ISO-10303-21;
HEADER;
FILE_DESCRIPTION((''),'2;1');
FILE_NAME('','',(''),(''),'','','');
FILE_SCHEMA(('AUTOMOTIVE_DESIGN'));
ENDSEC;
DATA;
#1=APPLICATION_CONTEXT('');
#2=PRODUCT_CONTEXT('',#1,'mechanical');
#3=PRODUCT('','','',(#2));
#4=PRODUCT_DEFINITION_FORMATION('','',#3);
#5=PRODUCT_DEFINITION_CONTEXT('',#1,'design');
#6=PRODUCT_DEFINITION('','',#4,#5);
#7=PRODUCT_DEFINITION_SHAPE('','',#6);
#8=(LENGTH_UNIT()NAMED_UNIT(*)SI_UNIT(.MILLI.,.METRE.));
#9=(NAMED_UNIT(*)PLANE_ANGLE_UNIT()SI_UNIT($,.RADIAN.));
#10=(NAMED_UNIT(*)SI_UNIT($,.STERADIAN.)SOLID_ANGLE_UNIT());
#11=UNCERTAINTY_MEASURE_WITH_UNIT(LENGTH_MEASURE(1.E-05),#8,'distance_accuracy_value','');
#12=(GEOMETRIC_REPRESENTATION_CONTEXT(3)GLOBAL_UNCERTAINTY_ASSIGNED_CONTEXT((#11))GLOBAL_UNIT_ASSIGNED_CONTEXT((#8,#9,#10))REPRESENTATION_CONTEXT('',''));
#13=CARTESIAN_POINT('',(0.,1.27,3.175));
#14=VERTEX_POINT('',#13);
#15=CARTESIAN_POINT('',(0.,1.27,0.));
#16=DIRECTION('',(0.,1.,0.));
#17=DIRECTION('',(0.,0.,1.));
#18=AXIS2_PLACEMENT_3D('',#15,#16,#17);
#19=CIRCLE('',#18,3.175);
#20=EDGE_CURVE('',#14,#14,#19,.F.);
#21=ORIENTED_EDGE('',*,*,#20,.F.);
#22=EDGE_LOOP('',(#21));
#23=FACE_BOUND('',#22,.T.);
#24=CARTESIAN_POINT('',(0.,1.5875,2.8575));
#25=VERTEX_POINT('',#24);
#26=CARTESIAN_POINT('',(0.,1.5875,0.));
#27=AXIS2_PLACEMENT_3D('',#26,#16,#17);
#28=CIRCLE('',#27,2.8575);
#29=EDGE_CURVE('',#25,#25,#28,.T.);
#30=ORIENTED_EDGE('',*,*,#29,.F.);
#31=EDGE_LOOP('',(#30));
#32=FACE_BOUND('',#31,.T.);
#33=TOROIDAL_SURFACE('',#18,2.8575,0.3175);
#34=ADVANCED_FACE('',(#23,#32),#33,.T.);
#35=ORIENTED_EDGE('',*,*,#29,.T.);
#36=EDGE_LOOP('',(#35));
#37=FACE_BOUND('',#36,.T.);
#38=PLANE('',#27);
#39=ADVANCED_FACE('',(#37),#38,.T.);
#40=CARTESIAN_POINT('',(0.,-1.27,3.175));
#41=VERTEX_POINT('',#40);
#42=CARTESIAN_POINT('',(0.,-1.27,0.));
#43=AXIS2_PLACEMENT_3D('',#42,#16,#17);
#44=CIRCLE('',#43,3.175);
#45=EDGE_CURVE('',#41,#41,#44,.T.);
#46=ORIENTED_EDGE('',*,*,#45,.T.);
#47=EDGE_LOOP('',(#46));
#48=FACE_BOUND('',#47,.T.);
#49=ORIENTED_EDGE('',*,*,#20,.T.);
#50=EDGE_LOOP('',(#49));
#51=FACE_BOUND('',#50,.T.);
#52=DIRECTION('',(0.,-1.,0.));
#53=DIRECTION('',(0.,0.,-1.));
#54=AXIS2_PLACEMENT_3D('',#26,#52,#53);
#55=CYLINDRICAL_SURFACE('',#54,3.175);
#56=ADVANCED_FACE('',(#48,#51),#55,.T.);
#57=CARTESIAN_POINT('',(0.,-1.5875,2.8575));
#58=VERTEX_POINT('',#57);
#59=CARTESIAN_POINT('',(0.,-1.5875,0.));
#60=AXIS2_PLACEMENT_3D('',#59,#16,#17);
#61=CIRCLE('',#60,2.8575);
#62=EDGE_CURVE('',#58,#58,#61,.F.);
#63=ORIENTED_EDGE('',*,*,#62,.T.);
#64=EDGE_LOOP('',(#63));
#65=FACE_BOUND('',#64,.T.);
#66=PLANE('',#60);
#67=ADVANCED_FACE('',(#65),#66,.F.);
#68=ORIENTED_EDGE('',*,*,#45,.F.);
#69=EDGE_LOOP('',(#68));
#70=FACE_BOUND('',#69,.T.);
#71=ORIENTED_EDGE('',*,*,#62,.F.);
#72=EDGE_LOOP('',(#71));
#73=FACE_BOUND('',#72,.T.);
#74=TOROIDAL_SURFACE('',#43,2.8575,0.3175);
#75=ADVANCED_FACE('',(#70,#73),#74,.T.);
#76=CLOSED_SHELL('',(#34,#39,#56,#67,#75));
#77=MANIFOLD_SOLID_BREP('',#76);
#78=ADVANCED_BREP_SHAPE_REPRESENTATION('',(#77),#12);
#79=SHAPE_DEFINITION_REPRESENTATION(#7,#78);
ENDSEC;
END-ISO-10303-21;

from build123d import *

# Parameters (mm, degrees)
SKETCH1_R           = 3.175
BOSS_EXTRUDE1_DEPTH = 1.5875
FILLET1_R           = 0.3175


with BuildPart() as part:
    # Sketch1 → Boss-Extrude1 (new body, symmetric)
    with BuildSketch(Plane(origin=(0, 0, 0), x_dir=(1, 0, 0), z_dir=(0, 1, 0))):
        Circle(SKETCH1_R)
    extrude(amount=BOSS_EXTRUDE1_DEPTH, both=True)

    # Fillet1
    fillet1_edges = [part.edges().sort_by_distance(p)[0] for p in [
        (-3.175, -1.5875, 0),
        (-3.175, 1.5875, 0),
    ]]
    fillet(fillet1_edges, radius=FILLET1_R)


solid = part.part
